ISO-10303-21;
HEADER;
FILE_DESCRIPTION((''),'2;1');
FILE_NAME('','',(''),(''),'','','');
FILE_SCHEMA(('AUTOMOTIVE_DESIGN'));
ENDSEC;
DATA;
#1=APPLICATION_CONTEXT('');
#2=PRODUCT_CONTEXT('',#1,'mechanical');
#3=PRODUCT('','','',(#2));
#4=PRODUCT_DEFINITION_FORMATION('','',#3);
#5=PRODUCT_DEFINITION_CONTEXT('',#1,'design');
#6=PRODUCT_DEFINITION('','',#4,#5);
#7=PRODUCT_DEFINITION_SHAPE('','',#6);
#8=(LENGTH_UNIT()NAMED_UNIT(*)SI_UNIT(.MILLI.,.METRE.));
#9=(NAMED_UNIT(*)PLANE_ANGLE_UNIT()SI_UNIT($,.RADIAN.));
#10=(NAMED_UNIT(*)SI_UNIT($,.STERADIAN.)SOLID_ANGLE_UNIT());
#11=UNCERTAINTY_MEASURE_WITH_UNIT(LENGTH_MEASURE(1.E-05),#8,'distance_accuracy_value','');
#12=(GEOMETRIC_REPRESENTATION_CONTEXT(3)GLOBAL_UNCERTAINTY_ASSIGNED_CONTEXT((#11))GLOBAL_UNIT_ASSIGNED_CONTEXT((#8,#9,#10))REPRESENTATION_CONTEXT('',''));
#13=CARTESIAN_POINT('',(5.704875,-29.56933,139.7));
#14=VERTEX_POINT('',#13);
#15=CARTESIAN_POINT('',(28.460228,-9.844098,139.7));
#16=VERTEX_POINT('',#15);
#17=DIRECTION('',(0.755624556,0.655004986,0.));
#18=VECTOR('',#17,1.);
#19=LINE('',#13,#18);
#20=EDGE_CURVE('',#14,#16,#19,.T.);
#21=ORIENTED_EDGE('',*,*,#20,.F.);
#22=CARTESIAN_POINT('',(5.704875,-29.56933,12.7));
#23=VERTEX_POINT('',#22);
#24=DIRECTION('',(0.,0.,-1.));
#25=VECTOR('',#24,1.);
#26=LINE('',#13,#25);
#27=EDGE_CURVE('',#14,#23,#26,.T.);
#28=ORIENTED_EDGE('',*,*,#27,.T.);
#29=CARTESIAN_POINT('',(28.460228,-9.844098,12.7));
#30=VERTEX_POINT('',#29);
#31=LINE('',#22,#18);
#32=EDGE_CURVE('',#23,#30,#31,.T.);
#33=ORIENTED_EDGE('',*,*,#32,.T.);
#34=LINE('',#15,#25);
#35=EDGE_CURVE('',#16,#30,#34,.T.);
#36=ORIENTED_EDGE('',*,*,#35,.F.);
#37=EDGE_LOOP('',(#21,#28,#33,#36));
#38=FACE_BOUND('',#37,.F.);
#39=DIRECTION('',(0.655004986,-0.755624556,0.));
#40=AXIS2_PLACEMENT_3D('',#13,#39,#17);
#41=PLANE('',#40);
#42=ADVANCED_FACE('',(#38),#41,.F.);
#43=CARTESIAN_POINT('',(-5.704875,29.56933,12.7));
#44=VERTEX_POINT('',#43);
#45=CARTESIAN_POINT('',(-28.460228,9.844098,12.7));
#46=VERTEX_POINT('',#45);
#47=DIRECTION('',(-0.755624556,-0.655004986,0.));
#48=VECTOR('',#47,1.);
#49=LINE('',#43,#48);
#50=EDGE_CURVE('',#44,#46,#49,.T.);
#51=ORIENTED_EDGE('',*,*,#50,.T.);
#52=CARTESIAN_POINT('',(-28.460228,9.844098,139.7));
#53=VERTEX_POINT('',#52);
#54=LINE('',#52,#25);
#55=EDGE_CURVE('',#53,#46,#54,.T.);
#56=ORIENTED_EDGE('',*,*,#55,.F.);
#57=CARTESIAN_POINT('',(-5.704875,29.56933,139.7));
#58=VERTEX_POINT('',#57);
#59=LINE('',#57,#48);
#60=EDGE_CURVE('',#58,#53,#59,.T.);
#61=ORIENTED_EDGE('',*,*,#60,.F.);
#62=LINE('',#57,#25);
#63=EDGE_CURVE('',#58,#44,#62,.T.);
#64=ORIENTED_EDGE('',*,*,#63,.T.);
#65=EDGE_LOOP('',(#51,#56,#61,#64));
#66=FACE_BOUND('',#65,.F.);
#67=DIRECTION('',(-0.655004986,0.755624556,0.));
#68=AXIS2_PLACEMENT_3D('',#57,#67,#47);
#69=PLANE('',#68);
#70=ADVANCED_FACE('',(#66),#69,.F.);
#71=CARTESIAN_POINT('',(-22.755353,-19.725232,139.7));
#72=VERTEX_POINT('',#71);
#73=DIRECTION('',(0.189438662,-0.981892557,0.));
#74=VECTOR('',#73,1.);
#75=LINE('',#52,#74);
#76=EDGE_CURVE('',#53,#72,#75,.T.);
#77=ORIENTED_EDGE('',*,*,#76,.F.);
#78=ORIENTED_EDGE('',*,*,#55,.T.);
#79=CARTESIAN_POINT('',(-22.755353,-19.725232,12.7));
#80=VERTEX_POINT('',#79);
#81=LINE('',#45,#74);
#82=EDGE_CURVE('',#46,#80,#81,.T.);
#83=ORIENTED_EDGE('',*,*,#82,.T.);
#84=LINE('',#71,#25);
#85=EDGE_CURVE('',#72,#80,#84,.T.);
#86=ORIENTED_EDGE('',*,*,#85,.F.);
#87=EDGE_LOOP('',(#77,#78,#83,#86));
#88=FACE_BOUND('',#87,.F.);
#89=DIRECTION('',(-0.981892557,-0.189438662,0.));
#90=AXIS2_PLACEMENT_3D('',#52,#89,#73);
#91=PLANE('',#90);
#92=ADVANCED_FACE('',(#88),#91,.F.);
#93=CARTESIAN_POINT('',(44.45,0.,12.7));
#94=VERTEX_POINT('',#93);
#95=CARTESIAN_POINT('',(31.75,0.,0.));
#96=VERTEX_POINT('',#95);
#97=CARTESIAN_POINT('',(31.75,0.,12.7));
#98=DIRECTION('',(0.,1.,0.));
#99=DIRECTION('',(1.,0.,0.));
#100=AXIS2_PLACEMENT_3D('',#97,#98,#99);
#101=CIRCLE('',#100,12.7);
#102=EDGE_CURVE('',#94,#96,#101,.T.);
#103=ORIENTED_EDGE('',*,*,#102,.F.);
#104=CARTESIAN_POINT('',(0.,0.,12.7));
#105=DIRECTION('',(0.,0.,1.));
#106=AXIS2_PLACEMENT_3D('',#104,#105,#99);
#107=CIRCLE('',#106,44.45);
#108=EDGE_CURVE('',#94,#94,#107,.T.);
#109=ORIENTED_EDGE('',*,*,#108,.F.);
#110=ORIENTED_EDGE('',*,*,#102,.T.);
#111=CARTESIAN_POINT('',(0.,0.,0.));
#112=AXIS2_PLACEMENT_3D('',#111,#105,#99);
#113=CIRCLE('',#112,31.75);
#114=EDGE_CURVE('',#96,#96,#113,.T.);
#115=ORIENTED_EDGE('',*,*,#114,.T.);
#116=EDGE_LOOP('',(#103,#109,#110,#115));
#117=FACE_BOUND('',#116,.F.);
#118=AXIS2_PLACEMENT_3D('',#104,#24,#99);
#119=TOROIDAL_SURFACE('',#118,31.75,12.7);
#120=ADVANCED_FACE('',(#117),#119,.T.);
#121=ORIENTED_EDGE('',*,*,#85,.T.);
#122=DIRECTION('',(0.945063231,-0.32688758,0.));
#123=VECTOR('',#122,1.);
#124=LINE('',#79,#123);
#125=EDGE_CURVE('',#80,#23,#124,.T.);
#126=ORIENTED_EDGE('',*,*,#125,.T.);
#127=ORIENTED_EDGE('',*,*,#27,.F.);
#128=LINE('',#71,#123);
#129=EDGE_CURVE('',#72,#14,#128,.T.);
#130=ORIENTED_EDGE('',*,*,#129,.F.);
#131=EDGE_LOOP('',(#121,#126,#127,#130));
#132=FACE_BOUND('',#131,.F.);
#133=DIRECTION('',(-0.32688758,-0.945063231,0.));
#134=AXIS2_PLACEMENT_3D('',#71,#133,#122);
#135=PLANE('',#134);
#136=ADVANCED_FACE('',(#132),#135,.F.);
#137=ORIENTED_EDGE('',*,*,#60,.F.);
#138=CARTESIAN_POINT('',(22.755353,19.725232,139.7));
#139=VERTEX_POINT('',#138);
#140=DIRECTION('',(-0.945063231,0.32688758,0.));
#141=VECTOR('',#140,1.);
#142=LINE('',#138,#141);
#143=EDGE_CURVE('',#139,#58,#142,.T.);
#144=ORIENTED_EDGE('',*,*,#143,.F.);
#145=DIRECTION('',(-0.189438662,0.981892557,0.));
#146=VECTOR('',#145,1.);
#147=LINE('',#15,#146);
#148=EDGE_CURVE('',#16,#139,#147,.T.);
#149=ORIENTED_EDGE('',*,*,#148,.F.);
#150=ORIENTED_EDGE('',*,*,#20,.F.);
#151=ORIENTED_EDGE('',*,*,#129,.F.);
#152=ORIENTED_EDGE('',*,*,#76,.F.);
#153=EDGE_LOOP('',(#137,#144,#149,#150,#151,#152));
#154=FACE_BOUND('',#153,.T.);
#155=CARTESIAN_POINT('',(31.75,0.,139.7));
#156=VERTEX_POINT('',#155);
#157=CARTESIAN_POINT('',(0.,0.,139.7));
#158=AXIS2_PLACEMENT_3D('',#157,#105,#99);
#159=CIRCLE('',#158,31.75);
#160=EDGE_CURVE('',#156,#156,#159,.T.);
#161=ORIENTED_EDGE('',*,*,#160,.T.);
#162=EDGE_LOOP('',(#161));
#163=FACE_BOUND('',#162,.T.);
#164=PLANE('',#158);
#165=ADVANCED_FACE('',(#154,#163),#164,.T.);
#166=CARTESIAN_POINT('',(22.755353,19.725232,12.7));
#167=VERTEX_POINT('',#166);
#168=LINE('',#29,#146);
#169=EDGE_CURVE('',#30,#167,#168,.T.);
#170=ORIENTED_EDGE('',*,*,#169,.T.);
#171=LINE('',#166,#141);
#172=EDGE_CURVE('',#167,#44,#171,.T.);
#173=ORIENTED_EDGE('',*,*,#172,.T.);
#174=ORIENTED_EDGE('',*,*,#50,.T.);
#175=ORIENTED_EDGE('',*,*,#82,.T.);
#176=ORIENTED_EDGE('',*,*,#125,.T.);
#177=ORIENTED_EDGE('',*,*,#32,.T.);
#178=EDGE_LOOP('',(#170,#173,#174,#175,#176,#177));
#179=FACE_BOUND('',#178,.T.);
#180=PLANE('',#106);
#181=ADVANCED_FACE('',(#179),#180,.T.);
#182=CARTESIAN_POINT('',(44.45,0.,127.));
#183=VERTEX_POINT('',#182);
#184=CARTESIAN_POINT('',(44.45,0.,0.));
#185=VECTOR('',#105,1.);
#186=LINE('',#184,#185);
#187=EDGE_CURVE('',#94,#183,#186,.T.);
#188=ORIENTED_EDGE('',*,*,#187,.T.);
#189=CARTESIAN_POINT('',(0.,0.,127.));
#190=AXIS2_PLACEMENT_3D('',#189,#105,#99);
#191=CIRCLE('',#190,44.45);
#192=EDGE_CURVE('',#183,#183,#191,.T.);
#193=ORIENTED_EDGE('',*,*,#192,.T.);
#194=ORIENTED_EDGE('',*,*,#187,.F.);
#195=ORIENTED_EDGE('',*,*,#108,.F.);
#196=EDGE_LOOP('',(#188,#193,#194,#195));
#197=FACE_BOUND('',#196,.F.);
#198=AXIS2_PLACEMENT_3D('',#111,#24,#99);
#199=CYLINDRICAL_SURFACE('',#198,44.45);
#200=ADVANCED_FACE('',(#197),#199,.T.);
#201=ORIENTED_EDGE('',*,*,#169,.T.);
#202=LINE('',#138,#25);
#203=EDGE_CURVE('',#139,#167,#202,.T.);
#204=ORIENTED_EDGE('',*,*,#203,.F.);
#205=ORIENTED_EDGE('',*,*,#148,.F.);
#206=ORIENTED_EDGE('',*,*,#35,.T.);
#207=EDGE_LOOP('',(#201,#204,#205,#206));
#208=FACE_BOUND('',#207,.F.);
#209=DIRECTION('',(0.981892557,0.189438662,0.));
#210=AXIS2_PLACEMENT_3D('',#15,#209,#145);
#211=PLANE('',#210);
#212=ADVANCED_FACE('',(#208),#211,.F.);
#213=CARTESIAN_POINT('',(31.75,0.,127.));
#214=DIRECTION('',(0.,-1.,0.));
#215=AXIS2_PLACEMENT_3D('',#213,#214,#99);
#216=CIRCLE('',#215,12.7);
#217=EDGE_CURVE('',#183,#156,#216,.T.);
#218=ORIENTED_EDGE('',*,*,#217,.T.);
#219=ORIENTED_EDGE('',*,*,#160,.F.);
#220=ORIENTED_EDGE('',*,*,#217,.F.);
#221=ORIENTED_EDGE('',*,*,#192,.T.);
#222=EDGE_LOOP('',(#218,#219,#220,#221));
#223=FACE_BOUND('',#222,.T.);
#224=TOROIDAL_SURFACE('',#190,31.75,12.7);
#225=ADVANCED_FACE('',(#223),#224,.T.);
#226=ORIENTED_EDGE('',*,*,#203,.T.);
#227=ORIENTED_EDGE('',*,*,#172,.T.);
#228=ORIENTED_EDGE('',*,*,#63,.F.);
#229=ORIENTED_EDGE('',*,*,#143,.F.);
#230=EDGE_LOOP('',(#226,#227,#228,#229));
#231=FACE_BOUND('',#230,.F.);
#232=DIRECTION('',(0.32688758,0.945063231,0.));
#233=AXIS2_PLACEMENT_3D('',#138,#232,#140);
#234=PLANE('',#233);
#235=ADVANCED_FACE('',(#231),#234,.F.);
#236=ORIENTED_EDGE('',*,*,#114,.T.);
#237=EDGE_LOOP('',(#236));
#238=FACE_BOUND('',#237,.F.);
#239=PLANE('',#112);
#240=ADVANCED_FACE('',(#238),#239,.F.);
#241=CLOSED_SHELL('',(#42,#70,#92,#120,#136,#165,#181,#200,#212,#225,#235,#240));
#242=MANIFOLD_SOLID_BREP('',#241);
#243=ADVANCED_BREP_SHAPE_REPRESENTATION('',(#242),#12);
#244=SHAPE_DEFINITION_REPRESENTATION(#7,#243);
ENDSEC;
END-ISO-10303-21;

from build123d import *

# Parameters (mm, degrees)
F0_R     = 44.45
F1_DEPTH = 139.7
F2_R     = 12.7
F3_R     = 22.915051
F4_DEPTH = 127
F6_DEPTH = 127


with BuildPart() as f1:
    # F0 (on Top) → F1 (new body)
    with BuildSketch(Plane.XY):
        Circle(F0_R)
    extrude(amount=F1_DEPTH)

    # F2
    f2_edges = [f1.edges().sort_by_distance(p)[0] for p in [
        (-44.45, 0, 0),
        (-44.45, 0, 139.7),
    ]]
    fillet(f2_edges, radius=F2_R)

    # F3 (on face) → F4 (cut)
    with BuildSketch(Plane.XY.offset(139.7)):
        Circle(F3_R)
    extrude(amount=-F4_DEPTH, mode=Mode.SUBTRACT)

    # F5 (on face) → F6 (cut)
    with BuildSketch(Plane.XY.offset(139.7)):
        Polygon((28.460228, -9.844098), (22.755353, 19.725232), (-5.704875, 29.56933), (-28.460228, 9.844098), (-22.755353, -19.725232), (5.704875, -29.56933), align=None)
    extrude(amount=-F6_DEPTH, mode=Mode.SUBTRACT)


solid = f1.part
